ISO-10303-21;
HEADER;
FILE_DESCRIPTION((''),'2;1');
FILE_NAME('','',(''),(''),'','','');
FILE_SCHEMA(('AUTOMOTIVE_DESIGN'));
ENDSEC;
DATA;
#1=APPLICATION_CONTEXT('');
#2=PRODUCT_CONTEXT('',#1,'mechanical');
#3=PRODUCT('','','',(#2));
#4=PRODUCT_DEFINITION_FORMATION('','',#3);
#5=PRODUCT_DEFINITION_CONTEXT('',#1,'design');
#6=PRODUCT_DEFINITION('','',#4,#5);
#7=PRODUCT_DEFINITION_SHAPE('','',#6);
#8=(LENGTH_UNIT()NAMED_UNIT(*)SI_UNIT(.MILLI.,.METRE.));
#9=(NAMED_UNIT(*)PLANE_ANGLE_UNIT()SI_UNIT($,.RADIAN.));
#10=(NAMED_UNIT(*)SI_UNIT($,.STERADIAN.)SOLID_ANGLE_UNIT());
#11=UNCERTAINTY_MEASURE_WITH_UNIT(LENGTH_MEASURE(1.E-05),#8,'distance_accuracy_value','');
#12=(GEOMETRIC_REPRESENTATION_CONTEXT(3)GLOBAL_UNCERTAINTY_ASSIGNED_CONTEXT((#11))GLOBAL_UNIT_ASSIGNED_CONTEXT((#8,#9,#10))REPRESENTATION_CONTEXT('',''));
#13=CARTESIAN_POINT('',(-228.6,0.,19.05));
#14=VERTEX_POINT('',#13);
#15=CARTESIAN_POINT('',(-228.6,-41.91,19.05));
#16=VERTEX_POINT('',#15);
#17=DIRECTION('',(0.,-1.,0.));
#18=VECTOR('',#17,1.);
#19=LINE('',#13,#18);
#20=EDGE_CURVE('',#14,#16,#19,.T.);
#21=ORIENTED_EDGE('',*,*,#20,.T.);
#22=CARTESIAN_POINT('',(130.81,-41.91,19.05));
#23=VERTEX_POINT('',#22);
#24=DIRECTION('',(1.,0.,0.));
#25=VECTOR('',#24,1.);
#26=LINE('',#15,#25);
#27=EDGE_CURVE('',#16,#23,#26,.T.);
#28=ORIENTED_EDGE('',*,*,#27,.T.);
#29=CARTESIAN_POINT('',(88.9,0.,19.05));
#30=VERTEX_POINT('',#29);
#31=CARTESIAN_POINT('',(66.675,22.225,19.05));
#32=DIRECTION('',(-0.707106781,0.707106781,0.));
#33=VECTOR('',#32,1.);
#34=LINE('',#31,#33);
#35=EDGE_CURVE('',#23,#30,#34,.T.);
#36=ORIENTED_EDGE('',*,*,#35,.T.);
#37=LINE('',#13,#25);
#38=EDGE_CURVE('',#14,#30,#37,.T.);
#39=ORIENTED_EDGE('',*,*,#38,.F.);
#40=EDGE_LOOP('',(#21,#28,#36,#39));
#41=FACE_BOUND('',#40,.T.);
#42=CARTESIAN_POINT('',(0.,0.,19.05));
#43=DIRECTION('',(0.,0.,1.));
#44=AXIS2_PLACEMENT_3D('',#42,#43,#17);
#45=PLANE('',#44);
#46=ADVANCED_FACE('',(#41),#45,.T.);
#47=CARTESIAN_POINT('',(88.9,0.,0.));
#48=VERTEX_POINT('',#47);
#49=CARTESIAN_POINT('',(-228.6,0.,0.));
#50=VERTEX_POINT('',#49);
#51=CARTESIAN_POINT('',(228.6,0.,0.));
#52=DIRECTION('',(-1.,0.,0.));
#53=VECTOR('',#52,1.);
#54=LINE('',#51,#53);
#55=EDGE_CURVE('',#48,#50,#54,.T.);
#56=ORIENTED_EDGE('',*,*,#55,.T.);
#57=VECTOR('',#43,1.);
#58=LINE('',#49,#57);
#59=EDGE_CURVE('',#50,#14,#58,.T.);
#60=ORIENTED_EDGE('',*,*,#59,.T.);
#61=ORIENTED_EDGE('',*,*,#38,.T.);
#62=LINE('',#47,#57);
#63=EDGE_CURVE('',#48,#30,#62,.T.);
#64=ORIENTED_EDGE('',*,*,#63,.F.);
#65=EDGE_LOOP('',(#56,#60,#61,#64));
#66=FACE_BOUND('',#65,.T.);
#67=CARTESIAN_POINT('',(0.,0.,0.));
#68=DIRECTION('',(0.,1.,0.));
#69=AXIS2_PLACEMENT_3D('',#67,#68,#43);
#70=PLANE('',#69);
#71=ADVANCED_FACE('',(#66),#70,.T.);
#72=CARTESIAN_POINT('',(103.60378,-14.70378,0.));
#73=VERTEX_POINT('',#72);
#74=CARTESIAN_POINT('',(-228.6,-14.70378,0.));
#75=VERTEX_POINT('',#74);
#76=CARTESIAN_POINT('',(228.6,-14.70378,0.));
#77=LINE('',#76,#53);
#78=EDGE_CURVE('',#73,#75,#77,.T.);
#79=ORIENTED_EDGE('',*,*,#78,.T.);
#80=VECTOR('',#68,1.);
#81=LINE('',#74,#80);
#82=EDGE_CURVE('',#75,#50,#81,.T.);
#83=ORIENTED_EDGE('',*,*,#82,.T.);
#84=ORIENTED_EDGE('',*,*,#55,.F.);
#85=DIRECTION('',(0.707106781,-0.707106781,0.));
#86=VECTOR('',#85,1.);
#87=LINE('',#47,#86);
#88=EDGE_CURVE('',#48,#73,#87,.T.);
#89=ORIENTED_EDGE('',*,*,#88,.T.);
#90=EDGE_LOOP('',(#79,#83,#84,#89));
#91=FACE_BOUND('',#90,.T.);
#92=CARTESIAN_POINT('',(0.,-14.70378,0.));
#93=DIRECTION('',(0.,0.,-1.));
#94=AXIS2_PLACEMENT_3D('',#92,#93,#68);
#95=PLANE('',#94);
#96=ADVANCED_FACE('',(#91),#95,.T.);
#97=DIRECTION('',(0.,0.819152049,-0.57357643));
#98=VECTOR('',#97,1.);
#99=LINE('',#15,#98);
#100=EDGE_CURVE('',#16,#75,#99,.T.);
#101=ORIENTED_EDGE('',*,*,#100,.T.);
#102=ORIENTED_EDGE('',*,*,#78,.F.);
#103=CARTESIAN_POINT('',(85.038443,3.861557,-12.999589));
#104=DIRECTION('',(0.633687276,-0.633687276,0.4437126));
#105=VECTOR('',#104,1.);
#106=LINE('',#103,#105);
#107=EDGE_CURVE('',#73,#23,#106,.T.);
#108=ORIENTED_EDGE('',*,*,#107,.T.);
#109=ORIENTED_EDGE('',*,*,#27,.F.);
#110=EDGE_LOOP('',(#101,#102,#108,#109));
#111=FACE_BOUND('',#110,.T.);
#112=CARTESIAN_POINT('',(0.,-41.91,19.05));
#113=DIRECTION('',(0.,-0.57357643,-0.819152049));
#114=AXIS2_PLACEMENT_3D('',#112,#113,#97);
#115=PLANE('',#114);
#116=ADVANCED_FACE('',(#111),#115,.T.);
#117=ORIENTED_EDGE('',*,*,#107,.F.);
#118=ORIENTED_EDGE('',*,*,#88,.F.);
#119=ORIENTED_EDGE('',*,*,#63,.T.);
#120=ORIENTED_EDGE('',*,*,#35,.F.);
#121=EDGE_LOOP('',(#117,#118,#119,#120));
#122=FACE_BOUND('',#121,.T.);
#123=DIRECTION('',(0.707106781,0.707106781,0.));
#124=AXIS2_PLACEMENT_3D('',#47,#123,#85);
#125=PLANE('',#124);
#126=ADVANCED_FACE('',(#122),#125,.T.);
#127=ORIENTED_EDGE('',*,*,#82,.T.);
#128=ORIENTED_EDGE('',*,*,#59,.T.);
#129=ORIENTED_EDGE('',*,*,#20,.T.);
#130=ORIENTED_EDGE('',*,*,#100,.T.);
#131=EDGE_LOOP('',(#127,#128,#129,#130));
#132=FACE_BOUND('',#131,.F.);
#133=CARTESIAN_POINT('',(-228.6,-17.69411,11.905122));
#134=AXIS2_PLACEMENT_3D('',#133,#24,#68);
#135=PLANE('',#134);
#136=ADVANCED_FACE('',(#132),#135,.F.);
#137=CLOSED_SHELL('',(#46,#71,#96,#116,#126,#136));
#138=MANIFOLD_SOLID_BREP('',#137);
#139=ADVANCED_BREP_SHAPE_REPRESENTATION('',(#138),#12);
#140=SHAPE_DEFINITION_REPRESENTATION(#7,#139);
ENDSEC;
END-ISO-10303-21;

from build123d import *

# Parameters (mm, degrees)
F1_DEPTH      = 228.6
F1_DEPTH_BACK = 228.6
F3_DEPTH      = 19.051


with BuildPart() as f1:
    # F0 (on Right) → F1 (new body, two sides)
    with BuildSketch(Plane.YZ) as f1_sk:
        Polygon((0, 0), (0, 19.05), (-41.91, 19.05), (-14.70378, 0), align=None)
    extrude(amount=F1_DEPTH)
    extrude(f1_sk.sketch, amount=-F1_DEPTH_BACK)

    # F2 (on Top) → F3 (cut, through all)
    with BuildSketch(Plane.XY):
        Polygon((238.762495, 0), (88.9, 0), (238.762495, -149.862495), align=None)
    extrude(amount=F3_DEPTH, mode=Mode.SUBTRACT)


solid = f1.part
